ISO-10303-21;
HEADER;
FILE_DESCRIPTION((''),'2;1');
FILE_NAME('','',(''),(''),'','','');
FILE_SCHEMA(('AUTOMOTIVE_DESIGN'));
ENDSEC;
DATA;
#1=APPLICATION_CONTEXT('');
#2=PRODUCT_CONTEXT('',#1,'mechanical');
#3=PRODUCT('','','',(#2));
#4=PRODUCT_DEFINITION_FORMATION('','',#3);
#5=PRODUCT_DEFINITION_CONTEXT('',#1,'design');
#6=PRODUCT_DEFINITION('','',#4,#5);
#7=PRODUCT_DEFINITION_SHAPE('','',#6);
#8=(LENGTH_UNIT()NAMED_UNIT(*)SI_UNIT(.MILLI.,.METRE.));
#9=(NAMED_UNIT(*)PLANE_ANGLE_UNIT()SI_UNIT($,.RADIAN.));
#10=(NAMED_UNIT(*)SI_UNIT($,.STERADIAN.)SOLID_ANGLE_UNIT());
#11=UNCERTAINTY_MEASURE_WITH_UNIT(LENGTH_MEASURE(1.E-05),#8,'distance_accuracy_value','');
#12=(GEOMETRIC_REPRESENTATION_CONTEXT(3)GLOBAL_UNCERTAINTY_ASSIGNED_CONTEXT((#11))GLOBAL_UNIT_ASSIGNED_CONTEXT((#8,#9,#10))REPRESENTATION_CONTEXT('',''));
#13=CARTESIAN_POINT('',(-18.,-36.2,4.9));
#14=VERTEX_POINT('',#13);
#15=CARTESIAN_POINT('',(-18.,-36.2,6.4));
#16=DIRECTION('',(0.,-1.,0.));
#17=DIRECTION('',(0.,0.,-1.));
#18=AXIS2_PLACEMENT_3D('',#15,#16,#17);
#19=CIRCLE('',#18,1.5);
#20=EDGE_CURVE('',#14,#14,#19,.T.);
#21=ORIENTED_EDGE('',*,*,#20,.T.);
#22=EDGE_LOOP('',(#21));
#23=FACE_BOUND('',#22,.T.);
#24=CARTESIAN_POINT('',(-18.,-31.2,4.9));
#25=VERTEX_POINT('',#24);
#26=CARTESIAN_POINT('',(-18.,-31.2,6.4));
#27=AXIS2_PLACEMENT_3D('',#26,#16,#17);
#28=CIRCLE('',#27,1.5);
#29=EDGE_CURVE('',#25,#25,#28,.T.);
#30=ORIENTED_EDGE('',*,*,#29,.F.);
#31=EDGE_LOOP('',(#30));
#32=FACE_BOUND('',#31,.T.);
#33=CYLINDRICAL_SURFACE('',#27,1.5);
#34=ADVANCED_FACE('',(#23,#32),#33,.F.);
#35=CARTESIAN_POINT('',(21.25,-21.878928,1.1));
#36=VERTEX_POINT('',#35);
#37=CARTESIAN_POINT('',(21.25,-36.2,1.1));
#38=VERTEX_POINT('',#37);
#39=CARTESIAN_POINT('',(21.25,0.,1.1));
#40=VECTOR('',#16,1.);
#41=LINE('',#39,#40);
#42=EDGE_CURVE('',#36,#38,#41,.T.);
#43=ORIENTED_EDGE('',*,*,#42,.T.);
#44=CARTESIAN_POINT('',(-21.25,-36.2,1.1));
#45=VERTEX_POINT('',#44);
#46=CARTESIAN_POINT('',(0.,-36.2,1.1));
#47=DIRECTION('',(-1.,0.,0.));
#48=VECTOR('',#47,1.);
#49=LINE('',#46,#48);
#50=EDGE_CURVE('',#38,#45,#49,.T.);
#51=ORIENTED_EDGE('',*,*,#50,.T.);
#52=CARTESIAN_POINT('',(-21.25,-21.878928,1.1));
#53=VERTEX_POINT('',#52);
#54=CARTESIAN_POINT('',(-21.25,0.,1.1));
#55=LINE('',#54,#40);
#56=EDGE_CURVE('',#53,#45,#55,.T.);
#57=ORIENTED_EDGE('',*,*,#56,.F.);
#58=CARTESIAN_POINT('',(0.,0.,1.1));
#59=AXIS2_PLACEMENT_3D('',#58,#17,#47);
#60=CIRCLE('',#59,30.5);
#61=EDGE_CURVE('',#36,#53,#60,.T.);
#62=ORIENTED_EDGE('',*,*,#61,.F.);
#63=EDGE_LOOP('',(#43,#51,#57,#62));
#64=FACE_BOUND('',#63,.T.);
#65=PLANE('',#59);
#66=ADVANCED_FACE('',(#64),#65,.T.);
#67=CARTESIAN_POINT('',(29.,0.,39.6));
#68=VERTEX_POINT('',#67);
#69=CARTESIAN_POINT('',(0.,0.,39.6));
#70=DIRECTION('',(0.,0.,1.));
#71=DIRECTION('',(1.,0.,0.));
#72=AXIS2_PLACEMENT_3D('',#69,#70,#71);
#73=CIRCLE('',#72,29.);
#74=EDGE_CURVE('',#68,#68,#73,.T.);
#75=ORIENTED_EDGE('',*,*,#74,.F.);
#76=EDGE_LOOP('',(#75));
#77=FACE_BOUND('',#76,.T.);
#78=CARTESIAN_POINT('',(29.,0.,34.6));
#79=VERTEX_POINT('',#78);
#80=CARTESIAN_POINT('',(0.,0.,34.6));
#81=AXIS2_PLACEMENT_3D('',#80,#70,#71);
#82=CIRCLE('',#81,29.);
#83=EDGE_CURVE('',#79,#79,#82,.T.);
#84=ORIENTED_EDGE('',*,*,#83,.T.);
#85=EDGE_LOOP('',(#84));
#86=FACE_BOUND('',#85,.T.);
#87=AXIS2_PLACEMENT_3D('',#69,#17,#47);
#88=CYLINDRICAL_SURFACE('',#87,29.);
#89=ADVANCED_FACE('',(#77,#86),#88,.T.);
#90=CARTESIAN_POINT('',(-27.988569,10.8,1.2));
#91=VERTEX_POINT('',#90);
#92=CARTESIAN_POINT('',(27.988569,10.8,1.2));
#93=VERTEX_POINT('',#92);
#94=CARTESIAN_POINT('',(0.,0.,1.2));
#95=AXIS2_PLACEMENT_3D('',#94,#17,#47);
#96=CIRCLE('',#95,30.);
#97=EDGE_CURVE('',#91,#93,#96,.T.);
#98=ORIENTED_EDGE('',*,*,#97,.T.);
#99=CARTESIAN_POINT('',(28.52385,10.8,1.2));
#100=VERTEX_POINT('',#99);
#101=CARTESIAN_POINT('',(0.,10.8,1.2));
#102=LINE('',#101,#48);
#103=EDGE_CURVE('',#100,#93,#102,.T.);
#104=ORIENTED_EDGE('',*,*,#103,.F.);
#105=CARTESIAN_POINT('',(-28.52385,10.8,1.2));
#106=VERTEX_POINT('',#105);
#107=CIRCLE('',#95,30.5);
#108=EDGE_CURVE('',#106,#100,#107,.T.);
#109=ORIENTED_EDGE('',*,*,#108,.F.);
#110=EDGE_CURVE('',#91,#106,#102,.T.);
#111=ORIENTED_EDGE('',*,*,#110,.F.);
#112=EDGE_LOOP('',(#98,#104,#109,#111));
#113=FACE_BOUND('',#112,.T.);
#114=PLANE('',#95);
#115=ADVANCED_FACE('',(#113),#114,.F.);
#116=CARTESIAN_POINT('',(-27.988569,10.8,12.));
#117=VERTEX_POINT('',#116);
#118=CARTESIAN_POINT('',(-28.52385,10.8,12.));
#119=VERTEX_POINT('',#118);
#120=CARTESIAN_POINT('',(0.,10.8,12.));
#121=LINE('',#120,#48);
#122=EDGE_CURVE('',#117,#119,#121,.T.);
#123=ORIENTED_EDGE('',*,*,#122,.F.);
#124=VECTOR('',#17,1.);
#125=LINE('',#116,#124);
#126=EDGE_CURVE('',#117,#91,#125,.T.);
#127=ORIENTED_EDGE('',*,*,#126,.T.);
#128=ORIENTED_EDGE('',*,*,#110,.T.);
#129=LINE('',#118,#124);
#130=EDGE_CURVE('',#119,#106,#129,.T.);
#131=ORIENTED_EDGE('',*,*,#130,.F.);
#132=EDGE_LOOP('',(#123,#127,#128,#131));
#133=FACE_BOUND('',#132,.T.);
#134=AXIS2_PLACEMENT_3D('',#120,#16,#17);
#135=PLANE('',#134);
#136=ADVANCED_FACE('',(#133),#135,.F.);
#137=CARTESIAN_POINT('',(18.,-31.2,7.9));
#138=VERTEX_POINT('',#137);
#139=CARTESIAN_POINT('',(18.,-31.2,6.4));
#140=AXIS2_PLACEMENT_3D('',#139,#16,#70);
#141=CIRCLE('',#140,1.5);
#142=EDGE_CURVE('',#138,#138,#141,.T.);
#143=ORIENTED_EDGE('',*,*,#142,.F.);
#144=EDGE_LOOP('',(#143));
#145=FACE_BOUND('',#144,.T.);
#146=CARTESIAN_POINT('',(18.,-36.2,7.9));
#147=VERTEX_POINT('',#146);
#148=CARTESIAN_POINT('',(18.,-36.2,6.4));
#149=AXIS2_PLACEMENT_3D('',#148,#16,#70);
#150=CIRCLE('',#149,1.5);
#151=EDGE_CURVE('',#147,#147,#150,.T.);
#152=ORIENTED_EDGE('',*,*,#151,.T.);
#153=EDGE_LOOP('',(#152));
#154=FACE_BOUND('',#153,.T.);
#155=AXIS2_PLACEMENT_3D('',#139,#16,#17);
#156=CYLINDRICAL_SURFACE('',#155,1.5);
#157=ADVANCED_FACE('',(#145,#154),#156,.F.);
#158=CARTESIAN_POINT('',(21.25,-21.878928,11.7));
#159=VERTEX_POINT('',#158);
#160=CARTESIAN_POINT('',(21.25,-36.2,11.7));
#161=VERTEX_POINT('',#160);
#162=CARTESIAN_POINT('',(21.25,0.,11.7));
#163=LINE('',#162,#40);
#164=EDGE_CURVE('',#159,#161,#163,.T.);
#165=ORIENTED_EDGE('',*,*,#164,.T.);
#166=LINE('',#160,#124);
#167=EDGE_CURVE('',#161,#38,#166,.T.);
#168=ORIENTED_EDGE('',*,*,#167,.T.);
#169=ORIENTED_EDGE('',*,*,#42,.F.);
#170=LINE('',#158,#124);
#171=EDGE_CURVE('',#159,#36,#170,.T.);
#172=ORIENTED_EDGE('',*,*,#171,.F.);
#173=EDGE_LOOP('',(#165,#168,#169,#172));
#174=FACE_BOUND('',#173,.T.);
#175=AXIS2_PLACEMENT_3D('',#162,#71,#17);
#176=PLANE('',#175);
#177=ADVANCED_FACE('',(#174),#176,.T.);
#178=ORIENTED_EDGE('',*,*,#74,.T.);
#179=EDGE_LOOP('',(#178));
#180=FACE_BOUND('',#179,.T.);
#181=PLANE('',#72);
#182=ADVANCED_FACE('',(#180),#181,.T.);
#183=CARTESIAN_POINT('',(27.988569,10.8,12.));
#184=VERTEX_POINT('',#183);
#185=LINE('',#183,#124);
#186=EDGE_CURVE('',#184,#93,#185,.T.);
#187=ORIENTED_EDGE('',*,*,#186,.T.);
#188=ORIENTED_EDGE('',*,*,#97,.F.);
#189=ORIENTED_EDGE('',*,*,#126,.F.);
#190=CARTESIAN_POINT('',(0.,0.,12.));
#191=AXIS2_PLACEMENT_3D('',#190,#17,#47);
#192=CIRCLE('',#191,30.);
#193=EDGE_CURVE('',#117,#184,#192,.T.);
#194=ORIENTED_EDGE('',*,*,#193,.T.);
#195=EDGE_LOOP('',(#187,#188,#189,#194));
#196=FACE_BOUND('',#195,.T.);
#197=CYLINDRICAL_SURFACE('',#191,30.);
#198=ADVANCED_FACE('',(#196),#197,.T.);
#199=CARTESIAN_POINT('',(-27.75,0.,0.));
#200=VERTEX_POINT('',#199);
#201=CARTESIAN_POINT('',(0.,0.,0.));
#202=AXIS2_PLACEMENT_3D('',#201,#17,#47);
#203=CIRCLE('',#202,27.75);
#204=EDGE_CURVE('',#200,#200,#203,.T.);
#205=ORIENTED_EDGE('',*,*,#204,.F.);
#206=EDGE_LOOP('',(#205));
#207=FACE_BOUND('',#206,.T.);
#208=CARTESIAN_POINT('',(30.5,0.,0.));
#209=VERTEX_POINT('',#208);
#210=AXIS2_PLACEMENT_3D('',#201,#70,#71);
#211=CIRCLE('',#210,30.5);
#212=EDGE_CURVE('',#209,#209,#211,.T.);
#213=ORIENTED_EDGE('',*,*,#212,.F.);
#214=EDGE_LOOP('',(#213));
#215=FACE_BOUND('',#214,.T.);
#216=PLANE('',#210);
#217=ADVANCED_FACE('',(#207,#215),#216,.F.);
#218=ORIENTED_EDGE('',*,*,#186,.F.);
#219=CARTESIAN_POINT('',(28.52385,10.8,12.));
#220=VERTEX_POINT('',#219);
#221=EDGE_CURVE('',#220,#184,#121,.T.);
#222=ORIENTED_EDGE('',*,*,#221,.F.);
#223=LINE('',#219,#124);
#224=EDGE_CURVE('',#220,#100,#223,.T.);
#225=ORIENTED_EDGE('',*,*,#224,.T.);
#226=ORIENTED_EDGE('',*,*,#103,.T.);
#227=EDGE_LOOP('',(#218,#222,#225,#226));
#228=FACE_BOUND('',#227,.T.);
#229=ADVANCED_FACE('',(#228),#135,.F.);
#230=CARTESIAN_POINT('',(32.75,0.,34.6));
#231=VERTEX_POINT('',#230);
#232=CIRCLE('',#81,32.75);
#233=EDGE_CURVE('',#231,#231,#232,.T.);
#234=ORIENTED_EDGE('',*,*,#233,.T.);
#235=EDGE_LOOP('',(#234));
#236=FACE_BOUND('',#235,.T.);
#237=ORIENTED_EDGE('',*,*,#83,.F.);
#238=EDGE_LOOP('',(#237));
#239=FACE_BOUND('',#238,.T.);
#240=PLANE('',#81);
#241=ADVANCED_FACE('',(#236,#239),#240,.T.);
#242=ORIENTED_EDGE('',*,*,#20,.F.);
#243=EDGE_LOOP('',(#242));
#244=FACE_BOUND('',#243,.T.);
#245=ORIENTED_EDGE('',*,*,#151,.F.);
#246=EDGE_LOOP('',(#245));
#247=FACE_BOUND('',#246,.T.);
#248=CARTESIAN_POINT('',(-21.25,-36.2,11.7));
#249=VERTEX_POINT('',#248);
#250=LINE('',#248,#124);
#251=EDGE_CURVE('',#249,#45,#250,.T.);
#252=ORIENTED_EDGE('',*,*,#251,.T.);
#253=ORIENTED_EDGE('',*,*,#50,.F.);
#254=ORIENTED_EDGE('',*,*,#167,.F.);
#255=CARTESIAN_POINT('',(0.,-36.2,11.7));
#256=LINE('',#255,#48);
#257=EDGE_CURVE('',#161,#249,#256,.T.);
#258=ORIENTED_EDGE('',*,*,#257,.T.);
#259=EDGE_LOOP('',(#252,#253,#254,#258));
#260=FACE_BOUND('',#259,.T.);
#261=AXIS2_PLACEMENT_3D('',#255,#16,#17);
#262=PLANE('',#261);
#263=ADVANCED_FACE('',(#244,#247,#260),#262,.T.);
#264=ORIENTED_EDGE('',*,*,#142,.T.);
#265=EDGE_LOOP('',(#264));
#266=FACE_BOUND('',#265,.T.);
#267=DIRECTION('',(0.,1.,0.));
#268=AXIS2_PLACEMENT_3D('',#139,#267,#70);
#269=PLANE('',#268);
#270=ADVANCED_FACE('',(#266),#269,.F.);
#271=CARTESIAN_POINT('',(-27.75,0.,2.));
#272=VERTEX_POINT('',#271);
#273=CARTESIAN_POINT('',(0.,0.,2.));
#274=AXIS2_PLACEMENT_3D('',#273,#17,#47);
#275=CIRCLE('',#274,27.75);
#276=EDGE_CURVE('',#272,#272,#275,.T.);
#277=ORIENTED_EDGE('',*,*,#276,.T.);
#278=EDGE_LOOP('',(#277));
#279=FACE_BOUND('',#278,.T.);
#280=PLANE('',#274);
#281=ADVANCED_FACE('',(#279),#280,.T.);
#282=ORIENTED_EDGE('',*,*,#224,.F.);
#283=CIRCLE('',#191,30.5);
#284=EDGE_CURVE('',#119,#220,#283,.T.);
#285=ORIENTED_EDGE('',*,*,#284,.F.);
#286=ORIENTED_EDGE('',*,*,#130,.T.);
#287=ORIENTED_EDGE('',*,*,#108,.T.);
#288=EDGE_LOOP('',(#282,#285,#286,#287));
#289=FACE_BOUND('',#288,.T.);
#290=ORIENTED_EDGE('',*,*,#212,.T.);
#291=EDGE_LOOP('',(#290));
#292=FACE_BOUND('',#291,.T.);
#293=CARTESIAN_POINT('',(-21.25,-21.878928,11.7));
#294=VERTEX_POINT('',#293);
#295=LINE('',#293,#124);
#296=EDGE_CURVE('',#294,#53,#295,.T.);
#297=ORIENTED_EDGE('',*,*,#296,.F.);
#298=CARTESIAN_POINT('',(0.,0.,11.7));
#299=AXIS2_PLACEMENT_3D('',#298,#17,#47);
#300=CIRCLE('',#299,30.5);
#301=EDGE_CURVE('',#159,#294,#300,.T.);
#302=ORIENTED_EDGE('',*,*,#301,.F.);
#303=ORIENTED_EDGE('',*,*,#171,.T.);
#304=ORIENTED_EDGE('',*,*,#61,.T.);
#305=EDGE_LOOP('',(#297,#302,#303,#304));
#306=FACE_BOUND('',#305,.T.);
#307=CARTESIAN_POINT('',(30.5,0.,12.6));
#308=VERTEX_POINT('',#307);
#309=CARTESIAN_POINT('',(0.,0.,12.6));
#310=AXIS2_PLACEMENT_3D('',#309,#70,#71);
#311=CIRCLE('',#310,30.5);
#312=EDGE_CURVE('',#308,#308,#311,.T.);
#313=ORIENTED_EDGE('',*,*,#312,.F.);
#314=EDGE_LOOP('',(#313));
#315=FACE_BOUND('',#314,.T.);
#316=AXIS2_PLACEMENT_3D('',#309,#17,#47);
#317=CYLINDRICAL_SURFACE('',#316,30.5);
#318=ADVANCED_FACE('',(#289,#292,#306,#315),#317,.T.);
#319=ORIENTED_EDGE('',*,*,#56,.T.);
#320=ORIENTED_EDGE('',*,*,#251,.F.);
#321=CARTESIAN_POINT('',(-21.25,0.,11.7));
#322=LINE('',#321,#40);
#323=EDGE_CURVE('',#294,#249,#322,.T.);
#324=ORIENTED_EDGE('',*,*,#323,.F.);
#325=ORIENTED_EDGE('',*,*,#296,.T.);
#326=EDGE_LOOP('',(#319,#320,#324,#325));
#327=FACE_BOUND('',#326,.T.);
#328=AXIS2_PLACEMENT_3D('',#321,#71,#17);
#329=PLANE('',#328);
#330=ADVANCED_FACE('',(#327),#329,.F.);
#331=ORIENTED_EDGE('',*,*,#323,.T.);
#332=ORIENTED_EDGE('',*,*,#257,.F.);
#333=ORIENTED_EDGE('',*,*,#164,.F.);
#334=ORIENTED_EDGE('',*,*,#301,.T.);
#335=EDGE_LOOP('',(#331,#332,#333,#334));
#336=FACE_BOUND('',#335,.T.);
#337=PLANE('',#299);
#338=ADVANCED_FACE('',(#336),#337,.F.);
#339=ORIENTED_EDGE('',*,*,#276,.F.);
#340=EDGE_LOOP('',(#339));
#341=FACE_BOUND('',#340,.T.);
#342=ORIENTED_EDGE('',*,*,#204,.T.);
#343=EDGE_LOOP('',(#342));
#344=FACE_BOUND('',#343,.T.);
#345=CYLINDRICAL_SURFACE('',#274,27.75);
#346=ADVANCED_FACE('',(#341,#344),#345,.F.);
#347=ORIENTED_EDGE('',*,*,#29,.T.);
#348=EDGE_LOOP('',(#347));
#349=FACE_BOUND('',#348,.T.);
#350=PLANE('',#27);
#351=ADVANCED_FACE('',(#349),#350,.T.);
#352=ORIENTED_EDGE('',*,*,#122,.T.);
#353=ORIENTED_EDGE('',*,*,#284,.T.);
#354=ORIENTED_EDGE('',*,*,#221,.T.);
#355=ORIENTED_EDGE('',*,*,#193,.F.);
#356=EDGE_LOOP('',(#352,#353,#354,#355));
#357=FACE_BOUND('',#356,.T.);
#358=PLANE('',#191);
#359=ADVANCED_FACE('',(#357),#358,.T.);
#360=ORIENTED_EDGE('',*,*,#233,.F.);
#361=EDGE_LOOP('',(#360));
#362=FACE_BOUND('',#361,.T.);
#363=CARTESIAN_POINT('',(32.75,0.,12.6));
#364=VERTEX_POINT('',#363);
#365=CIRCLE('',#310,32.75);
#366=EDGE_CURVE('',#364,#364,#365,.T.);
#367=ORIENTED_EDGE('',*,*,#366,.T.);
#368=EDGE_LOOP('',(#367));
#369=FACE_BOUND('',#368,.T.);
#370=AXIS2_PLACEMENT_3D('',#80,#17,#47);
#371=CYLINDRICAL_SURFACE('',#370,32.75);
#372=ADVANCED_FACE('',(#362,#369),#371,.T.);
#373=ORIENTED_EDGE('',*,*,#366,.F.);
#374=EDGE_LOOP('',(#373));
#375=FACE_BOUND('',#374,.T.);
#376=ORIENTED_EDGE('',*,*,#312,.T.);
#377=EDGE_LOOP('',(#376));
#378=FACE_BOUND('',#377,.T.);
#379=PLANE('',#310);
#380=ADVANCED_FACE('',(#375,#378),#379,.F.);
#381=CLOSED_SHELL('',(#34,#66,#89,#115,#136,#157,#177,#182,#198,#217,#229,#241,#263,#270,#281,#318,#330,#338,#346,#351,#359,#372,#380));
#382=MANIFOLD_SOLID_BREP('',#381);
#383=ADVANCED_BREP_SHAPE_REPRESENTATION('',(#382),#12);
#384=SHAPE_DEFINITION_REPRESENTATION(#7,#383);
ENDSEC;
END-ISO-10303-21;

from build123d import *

# Parameters (mm, degrees)
SKETCH_1_R          = 30.5
EXTRUDE_1_DEPTH     = 12.6
SKETCH_2_R          = 32.75
EXTRUDE_2_DEPTH     = 22
SKETCH_3_R          = 29
EXTRUDE_3_DEPTH     = 5
EXTRUDE_START       = -1.1
EXTRUDE_4_DEPTH     = 10.6
SKETCH_5_R          = 1.5
CUT_EXTRUDE_1_DEPTH = 5
SKETCH_6_R          = 27.75
CUT_EXTRUDE_2_DEPTH = 2
CUT_EXTRUDE_START   = -1.2
CUT_EXTRUDE_3_DEPTH = 10.8


with BuildPart() as part:
    # 草图1 → 凸台-拉伸1 (new body)
    with BuildSketch(Plane.XY):
        Circle(SKETCH_1_R)
    extrude(amount=EXTRUDE_1_DEPTH)

    # 草图2 → 凸台-拉伸2 (add)
    with BuildSketch(Plane.XY.offset(12.6)):
        Circle(SKETCH_2_R)
    extrude(amount=EXTRUDE_2_DEPTH)

    # 草图3 → 凸台-拉伸3 (add)
    with BuildSketch(Plane.XY.offset(34.6)):
        Circle(SKETCH_3_R)
    extrude(amount=EXTRUDE_3_DEPTH)

    # 草图4 → 凸台-拉伸4 (add)
    with BuildSketch(Plane(origin=(0, 0, 0), x_dir=(-1, 0, 0), z_dir=(0, 0, -1)).offset(EXTRUDE_START)):
        with BuildLine():
            ThreePointArc((21.25, -21.878928219), (0, -30.5), (-21.25, -21.878928219))
            Line((-21.25, -21.878928219), (-21.25, -36.2))
            Line((-21.25, -36.2), (21.25, -36.2))
            Line((21.25, -36.2), (21.25, -21.878928219))
        make_face()
    extrude(amount=-EXTRUDE_4_DEPTH)

    # 草图5 → 切除-拉伸1 (cut)
    with BuildSketch(Plane.XZ.offset(36.2)):
        with Locations(Location((-18, 6.4, 0), (0, 0, 270))):
            Circle(SKETCH_5_R)
        with Locations(Location((18, 6.4, 0), (0, 0, 90))):
            Circle(SKETCH_5_R)
    extrude(amount=-CUT_EXTRUDE_1_DEPTH, mode=Mode.SUBTRACT)

    # 草图6 → 切除-拉伸2 (cut)
    with BuildSketch(Plane(origin=(0, 0, 0), x_dir=(-1, 0, 0), z_dir=(0, 0, -1))):
        Circle(SKETCH_6_R)
    extrude(amount=-CUT_EXTRUDE_2_DEPTH, mode=Mode.SUBTRACT)

    # 草图7 → 切除-拉伸3 (cut)
    with BuildSketch(Plane(origin=(0, 0, 0), x_dir=(-1, 0, 0), z_dir=(0, 0, -1)).offset(CUT_EXTRUDE_START)):
        with BuildLine():
            ThreePointArc((28.52384967, 10.8), (0, 30.5), (-28.52384967, 10.8))
            Line((-28.52384967, 10.8), (-27.988569095, 10.8))
            ThreePointArc((-27.988569095, 10.8), (0, 30), (27.988569095, 10.8))
            Line((27.988569095, 10.8), (28.52384967, 10.8))
        make_face()
    extrude(amount=-CUT_EXTRUDE_3_DEPTH, mode=Mode.SUBTRACT)


solid = part.part
